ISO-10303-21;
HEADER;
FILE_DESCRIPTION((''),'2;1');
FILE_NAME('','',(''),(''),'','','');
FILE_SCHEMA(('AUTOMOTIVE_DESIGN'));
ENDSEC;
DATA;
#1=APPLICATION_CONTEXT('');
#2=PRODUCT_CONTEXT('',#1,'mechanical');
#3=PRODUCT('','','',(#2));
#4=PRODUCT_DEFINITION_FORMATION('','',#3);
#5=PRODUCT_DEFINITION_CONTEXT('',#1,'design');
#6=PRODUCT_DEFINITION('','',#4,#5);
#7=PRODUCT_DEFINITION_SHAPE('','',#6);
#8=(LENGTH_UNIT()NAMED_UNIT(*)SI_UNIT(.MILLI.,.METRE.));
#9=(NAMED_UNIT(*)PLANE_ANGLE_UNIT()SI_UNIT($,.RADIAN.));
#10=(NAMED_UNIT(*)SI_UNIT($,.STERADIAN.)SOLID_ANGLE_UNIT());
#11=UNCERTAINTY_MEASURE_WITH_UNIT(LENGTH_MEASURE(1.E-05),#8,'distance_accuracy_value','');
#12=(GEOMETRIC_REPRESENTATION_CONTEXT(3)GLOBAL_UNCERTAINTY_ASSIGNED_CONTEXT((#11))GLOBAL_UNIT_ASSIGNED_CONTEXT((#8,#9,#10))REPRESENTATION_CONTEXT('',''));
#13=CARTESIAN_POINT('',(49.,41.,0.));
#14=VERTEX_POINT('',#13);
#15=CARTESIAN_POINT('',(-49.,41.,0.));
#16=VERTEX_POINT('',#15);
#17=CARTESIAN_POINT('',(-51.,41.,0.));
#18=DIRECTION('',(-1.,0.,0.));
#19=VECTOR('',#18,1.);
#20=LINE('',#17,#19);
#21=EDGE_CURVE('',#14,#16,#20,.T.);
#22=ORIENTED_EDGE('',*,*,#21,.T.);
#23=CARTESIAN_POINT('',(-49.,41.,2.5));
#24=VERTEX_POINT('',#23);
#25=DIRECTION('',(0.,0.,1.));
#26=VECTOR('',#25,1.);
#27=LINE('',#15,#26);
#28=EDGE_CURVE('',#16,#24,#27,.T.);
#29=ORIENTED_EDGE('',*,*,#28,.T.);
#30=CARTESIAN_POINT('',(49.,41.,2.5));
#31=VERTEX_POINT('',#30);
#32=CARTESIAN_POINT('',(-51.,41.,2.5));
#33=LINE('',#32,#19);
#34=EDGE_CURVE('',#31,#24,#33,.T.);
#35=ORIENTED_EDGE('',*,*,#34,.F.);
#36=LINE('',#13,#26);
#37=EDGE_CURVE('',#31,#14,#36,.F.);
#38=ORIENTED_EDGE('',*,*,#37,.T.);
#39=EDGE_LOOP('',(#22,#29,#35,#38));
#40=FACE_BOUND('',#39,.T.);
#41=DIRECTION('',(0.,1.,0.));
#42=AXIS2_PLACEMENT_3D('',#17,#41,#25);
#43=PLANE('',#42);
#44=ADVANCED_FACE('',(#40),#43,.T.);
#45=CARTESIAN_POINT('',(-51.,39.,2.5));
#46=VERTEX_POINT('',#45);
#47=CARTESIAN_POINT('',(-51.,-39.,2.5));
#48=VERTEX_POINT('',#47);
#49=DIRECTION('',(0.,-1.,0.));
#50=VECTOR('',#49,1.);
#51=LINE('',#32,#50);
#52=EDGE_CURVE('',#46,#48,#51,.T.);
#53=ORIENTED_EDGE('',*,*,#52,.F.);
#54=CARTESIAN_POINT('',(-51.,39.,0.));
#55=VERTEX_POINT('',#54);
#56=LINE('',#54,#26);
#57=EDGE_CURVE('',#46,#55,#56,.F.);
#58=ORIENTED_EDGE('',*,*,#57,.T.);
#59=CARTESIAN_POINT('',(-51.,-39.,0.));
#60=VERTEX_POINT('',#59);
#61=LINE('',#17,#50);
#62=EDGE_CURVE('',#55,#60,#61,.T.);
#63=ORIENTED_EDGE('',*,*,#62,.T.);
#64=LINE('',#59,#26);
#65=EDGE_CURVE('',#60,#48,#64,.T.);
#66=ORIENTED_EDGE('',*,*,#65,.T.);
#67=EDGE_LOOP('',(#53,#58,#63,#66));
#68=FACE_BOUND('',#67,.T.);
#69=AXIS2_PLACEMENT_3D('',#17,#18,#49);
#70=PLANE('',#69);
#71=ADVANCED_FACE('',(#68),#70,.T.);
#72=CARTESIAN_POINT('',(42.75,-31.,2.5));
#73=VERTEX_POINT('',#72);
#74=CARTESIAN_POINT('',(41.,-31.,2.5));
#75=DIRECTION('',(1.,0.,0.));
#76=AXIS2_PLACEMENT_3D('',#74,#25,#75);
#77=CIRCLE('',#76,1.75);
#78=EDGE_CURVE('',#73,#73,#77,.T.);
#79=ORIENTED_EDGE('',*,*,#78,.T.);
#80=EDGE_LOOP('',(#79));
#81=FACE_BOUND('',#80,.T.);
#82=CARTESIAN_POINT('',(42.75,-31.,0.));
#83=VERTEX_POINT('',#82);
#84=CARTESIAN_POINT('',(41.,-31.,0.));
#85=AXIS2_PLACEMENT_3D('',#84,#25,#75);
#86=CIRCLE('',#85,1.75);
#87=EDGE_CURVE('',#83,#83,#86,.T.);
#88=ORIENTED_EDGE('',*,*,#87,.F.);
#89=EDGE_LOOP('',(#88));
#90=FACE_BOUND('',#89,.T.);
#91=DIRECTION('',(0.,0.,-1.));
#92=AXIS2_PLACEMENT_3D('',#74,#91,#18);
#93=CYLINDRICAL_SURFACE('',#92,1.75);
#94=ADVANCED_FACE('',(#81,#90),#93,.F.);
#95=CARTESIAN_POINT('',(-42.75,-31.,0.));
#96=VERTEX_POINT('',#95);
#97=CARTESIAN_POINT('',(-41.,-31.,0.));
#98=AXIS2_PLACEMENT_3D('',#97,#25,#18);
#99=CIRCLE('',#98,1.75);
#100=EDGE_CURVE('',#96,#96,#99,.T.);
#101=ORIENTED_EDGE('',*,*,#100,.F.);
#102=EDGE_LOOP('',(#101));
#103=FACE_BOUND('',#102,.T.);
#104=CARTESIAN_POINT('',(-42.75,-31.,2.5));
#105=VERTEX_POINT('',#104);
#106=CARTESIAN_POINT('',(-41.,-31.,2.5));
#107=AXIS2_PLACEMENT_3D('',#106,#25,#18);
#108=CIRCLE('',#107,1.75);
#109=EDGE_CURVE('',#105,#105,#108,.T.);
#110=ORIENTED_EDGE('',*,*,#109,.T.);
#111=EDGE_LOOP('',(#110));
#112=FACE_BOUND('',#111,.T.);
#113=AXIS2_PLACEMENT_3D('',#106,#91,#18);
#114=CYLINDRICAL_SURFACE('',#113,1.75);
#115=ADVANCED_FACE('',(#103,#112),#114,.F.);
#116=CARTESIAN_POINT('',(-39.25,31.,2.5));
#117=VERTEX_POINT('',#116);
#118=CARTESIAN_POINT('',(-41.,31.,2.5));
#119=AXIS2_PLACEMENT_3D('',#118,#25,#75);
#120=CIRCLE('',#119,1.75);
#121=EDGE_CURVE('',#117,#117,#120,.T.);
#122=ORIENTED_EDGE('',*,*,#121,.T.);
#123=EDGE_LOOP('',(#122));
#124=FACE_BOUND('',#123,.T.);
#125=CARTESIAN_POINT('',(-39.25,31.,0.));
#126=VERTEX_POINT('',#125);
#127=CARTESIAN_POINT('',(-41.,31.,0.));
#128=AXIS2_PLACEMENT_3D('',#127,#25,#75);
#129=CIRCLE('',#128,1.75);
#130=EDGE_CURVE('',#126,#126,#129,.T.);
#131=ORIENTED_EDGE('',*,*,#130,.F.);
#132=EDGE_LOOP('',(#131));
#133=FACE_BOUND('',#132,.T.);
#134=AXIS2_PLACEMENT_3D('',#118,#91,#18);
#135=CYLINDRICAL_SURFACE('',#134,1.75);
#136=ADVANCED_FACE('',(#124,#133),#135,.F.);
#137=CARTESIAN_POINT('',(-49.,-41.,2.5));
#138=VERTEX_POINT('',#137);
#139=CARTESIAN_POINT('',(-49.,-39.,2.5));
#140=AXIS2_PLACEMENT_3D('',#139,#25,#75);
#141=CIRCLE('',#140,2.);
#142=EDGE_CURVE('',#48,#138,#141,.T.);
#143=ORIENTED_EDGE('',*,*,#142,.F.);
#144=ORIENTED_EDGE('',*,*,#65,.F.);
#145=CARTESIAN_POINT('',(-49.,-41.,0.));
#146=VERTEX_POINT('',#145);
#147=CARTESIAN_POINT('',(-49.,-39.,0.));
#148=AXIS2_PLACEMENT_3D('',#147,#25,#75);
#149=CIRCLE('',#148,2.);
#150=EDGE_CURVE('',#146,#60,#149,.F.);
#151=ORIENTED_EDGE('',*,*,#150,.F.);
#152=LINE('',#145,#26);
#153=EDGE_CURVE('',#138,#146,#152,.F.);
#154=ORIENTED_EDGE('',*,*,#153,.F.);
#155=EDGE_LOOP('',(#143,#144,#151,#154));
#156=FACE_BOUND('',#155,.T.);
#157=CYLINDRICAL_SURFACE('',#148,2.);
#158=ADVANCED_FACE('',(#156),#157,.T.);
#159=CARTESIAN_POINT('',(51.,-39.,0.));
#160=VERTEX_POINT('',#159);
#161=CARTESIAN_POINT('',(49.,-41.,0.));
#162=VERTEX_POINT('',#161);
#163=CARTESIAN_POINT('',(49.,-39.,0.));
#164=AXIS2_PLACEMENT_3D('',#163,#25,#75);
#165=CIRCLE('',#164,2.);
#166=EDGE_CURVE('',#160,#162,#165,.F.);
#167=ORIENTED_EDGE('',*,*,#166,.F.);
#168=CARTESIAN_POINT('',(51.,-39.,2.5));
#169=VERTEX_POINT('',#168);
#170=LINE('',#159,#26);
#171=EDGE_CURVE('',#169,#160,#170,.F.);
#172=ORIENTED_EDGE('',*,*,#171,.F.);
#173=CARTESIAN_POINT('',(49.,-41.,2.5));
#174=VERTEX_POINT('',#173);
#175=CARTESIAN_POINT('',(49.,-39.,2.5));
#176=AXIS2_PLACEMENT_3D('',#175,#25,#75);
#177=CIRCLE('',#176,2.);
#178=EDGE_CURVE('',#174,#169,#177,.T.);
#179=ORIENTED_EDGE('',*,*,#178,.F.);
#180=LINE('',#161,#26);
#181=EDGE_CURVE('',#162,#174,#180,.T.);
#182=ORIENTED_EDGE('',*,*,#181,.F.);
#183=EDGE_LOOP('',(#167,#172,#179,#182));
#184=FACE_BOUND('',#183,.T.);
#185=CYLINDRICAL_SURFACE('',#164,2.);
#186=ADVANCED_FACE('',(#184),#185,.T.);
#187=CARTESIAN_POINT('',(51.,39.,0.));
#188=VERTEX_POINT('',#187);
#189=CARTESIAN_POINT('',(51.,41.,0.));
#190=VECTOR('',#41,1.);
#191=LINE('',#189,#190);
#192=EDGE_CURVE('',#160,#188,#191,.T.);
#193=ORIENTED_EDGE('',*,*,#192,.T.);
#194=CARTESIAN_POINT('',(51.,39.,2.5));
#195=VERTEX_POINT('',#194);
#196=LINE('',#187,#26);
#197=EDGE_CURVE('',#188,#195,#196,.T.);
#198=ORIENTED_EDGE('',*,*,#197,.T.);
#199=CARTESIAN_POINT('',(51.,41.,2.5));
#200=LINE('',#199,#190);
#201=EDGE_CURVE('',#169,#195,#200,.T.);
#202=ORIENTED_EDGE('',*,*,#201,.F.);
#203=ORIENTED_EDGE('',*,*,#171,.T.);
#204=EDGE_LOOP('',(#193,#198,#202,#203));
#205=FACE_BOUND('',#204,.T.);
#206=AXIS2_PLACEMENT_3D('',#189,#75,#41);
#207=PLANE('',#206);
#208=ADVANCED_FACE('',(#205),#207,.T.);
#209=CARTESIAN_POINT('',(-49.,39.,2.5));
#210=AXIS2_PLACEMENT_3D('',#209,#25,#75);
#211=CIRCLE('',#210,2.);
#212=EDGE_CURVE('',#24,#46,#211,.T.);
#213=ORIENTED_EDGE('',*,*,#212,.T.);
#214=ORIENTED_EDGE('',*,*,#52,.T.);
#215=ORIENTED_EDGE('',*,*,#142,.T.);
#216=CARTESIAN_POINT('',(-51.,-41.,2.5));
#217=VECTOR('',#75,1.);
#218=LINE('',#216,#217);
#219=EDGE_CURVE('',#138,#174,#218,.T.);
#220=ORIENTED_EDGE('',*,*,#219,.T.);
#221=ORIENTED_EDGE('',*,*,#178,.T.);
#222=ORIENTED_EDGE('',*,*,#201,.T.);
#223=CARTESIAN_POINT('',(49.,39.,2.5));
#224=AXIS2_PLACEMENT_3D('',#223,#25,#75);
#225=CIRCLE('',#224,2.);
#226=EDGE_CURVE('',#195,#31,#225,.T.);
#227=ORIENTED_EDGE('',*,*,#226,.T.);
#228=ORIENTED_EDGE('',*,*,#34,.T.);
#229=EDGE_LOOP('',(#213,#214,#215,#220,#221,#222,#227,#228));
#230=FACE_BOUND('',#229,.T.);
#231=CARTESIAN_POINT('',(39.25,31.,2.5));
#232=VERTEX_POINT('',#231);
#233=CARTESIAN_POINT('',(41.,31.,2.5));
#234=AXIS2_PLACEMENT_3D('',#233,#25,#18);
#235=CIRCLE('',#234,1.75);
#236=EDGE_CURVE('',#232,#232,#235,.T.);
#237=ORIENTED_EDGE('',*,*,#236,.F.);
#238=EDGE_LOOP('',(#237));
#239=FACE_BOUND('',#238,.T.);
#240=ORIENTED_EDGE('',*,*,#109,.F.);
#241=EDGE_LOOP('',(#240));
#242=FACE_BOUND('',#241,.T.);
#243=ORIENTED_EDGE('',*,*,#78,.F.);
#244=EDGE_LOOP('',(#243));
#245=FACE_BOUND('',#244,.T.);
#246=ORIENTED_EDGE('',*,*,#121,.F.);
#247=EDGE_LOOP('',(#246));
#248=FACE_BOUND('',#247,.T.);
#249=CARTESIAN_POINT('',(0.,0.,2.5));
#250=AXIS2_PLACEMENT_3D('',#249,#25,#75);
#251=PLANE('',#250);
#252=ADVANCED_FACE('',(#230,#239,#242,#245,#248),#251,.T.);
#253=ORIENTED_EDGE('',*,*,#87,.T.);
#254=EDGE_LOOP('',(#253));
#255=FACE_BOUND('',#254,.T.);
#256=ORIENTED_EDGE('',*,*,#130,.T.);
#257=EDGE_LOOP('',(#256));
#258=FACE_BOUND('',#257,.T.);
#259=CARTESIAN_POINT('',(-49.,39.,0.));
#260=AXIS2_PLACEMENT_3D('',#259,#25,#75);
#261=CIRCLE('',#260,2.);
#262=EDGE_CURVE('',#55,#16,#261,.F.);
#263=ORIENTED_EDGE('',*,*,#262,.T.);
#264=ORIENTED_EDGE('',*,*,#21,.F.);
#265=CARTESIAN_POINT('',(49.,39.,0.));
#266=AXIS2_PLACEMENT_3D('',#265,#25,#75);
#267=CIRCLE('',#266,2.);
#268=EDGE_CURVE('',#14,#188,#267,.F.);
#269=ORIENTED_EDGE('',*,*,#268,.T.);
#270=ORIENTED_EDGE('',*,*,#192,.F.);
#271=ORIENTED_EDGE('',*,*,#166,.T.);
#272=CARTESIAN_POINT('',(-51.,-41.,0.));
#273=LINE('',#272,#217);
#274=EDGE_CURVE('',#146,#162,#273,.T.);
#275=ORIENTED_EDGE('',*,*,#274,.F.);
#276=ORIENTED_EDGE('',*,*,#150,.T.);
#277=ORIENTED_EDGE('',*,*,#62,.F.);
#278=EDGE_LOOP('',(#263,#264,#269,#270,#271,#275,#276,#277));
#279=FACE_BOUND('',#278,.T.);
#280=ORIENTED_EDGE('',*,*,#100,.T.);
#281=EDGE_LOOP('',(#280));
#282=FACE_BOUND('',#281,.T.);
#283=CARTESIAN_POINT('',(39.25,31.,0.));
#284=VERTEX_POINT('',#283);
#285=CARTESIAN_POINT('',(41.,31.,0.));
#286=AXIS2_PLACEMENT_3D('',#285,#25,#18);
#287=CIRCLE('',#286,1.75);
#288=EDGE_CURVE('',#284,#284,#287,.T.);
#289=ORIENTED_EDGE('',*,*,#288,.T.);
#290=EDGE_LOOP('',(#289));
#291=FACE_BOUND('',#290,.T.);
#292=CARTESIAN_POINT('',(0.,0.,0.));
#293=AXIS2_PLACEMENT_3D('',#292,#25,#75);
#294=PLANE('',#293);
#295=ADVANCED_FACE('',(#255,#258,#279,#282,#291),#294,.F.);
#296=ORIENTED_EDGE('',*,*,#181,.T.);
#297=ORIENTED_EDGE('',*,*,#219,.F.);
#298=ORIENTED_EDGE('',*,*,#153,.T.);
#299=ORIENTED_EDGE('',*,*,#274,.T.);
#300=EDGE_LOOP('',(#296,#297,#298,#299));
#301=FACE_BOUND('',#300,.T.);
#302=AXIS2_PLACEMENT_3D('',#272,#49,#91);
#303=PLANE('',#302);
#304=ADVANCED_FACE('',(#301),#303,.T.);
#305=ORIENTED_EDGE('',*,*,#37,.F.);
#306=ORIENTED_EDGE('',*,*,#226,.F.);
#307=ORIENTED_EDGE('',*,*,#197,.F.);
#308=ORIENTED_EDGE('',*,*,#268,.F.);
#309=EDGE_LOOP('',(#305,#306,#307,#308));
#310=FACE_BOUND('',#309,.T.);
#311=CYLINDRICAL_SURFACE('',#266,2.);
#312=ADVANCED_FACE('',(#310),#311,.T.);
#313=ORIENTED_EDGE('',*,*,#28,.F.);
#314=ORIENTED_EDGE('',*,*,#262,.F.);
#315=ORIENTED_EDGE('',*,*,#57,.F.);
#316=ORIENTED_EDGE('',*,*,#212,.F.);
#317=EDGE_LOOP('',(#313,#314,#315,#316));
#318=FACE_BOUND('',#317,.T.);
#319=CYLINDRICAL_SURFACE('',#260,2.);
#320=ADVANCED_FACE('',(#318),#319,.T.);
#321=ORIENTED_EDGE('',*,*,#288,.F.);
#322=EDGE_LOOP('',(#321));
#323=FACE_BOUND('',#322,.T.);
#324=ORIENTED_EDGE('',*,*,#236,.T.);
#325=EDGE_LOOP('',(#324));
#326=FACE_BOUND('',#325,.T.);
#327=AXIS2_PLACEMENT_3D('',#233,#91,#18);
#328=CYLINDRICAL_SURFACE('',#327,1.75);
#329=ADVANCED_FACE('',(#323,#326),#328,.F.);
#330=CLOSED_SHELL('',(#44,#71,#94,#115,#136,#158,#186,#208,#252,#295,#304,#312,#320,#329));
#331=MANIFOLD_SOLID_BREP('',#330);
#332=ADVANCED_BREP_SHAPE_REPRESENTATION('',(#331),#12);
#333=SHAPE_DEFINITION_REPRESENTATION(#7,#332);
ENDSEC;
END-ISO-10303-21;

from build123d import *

# Parameters (mm, degrees)
SKETCH_1_W      = 90
SKETCH_1_H      = 70
SKETCH_1_R      = 1.75
EXTRUDE_1_DEPTH = 2.5
SKETCH_2_W      = 102
SKETCH_2_H      = 82
SKETCH_2_W_2    = 90
SKETCH_2_H_2    = 70
EXTRUDE_2_DEPTH = 2.5
FILLET_1_R      = 2


with BuildPart() as part:
    # 草圖1 → 填料-伸長1 (new body)
    with BuildSketch(Plane.XY):
        Rectangle(SKETCH_1_W, SKETCH_1_H)
        with Locations((-41, 31)):
            Circle(SKETCH_1_R, mode=Mode.SUBTRACT)
        with Locations(Location((41, 31, 0), (0, 0, 180))):
            Circle(SKETCH_1_R, mode=Mode.SUBTRACT)
        with Locations((41, -31)):
            Circle(SKETCH_1_R, mode=Mode.SUBTRACT)
        with Locations(Location((-41, -31, 0), (0, 0, 180))):
            Circle(SKETCH_1_R, mode=Mode.SUBTRACT)
    extrude(amount=EXTRUDE_1_DEPTH)

    # 草圖2 → 填料-伸長2 (add)
    with BuildSketch(Plane.XY.offset(2.5)):
        Rectangle(SKETCH_2_W, SKETCH_2_H)
        Rectangle(SKETCH_2_W_2, SKETCH_2_H_2, mode=Mode.SUBTRACT)
    extrude(amount=-EXTRUDE_2_DEPTH)

    # 圓角1
    fillet_1_edges = [part.edges().sort_by_distance(p)[0] for p in [
        (-51, -41, 1.25),
        (-51, 41, 1.25),
        (51, 41, 1.25),
        (51, -41, 1.25),
    ]]
    fillet(fillet_1_edges, radius=FILLET_1_R)


solid = part.part
